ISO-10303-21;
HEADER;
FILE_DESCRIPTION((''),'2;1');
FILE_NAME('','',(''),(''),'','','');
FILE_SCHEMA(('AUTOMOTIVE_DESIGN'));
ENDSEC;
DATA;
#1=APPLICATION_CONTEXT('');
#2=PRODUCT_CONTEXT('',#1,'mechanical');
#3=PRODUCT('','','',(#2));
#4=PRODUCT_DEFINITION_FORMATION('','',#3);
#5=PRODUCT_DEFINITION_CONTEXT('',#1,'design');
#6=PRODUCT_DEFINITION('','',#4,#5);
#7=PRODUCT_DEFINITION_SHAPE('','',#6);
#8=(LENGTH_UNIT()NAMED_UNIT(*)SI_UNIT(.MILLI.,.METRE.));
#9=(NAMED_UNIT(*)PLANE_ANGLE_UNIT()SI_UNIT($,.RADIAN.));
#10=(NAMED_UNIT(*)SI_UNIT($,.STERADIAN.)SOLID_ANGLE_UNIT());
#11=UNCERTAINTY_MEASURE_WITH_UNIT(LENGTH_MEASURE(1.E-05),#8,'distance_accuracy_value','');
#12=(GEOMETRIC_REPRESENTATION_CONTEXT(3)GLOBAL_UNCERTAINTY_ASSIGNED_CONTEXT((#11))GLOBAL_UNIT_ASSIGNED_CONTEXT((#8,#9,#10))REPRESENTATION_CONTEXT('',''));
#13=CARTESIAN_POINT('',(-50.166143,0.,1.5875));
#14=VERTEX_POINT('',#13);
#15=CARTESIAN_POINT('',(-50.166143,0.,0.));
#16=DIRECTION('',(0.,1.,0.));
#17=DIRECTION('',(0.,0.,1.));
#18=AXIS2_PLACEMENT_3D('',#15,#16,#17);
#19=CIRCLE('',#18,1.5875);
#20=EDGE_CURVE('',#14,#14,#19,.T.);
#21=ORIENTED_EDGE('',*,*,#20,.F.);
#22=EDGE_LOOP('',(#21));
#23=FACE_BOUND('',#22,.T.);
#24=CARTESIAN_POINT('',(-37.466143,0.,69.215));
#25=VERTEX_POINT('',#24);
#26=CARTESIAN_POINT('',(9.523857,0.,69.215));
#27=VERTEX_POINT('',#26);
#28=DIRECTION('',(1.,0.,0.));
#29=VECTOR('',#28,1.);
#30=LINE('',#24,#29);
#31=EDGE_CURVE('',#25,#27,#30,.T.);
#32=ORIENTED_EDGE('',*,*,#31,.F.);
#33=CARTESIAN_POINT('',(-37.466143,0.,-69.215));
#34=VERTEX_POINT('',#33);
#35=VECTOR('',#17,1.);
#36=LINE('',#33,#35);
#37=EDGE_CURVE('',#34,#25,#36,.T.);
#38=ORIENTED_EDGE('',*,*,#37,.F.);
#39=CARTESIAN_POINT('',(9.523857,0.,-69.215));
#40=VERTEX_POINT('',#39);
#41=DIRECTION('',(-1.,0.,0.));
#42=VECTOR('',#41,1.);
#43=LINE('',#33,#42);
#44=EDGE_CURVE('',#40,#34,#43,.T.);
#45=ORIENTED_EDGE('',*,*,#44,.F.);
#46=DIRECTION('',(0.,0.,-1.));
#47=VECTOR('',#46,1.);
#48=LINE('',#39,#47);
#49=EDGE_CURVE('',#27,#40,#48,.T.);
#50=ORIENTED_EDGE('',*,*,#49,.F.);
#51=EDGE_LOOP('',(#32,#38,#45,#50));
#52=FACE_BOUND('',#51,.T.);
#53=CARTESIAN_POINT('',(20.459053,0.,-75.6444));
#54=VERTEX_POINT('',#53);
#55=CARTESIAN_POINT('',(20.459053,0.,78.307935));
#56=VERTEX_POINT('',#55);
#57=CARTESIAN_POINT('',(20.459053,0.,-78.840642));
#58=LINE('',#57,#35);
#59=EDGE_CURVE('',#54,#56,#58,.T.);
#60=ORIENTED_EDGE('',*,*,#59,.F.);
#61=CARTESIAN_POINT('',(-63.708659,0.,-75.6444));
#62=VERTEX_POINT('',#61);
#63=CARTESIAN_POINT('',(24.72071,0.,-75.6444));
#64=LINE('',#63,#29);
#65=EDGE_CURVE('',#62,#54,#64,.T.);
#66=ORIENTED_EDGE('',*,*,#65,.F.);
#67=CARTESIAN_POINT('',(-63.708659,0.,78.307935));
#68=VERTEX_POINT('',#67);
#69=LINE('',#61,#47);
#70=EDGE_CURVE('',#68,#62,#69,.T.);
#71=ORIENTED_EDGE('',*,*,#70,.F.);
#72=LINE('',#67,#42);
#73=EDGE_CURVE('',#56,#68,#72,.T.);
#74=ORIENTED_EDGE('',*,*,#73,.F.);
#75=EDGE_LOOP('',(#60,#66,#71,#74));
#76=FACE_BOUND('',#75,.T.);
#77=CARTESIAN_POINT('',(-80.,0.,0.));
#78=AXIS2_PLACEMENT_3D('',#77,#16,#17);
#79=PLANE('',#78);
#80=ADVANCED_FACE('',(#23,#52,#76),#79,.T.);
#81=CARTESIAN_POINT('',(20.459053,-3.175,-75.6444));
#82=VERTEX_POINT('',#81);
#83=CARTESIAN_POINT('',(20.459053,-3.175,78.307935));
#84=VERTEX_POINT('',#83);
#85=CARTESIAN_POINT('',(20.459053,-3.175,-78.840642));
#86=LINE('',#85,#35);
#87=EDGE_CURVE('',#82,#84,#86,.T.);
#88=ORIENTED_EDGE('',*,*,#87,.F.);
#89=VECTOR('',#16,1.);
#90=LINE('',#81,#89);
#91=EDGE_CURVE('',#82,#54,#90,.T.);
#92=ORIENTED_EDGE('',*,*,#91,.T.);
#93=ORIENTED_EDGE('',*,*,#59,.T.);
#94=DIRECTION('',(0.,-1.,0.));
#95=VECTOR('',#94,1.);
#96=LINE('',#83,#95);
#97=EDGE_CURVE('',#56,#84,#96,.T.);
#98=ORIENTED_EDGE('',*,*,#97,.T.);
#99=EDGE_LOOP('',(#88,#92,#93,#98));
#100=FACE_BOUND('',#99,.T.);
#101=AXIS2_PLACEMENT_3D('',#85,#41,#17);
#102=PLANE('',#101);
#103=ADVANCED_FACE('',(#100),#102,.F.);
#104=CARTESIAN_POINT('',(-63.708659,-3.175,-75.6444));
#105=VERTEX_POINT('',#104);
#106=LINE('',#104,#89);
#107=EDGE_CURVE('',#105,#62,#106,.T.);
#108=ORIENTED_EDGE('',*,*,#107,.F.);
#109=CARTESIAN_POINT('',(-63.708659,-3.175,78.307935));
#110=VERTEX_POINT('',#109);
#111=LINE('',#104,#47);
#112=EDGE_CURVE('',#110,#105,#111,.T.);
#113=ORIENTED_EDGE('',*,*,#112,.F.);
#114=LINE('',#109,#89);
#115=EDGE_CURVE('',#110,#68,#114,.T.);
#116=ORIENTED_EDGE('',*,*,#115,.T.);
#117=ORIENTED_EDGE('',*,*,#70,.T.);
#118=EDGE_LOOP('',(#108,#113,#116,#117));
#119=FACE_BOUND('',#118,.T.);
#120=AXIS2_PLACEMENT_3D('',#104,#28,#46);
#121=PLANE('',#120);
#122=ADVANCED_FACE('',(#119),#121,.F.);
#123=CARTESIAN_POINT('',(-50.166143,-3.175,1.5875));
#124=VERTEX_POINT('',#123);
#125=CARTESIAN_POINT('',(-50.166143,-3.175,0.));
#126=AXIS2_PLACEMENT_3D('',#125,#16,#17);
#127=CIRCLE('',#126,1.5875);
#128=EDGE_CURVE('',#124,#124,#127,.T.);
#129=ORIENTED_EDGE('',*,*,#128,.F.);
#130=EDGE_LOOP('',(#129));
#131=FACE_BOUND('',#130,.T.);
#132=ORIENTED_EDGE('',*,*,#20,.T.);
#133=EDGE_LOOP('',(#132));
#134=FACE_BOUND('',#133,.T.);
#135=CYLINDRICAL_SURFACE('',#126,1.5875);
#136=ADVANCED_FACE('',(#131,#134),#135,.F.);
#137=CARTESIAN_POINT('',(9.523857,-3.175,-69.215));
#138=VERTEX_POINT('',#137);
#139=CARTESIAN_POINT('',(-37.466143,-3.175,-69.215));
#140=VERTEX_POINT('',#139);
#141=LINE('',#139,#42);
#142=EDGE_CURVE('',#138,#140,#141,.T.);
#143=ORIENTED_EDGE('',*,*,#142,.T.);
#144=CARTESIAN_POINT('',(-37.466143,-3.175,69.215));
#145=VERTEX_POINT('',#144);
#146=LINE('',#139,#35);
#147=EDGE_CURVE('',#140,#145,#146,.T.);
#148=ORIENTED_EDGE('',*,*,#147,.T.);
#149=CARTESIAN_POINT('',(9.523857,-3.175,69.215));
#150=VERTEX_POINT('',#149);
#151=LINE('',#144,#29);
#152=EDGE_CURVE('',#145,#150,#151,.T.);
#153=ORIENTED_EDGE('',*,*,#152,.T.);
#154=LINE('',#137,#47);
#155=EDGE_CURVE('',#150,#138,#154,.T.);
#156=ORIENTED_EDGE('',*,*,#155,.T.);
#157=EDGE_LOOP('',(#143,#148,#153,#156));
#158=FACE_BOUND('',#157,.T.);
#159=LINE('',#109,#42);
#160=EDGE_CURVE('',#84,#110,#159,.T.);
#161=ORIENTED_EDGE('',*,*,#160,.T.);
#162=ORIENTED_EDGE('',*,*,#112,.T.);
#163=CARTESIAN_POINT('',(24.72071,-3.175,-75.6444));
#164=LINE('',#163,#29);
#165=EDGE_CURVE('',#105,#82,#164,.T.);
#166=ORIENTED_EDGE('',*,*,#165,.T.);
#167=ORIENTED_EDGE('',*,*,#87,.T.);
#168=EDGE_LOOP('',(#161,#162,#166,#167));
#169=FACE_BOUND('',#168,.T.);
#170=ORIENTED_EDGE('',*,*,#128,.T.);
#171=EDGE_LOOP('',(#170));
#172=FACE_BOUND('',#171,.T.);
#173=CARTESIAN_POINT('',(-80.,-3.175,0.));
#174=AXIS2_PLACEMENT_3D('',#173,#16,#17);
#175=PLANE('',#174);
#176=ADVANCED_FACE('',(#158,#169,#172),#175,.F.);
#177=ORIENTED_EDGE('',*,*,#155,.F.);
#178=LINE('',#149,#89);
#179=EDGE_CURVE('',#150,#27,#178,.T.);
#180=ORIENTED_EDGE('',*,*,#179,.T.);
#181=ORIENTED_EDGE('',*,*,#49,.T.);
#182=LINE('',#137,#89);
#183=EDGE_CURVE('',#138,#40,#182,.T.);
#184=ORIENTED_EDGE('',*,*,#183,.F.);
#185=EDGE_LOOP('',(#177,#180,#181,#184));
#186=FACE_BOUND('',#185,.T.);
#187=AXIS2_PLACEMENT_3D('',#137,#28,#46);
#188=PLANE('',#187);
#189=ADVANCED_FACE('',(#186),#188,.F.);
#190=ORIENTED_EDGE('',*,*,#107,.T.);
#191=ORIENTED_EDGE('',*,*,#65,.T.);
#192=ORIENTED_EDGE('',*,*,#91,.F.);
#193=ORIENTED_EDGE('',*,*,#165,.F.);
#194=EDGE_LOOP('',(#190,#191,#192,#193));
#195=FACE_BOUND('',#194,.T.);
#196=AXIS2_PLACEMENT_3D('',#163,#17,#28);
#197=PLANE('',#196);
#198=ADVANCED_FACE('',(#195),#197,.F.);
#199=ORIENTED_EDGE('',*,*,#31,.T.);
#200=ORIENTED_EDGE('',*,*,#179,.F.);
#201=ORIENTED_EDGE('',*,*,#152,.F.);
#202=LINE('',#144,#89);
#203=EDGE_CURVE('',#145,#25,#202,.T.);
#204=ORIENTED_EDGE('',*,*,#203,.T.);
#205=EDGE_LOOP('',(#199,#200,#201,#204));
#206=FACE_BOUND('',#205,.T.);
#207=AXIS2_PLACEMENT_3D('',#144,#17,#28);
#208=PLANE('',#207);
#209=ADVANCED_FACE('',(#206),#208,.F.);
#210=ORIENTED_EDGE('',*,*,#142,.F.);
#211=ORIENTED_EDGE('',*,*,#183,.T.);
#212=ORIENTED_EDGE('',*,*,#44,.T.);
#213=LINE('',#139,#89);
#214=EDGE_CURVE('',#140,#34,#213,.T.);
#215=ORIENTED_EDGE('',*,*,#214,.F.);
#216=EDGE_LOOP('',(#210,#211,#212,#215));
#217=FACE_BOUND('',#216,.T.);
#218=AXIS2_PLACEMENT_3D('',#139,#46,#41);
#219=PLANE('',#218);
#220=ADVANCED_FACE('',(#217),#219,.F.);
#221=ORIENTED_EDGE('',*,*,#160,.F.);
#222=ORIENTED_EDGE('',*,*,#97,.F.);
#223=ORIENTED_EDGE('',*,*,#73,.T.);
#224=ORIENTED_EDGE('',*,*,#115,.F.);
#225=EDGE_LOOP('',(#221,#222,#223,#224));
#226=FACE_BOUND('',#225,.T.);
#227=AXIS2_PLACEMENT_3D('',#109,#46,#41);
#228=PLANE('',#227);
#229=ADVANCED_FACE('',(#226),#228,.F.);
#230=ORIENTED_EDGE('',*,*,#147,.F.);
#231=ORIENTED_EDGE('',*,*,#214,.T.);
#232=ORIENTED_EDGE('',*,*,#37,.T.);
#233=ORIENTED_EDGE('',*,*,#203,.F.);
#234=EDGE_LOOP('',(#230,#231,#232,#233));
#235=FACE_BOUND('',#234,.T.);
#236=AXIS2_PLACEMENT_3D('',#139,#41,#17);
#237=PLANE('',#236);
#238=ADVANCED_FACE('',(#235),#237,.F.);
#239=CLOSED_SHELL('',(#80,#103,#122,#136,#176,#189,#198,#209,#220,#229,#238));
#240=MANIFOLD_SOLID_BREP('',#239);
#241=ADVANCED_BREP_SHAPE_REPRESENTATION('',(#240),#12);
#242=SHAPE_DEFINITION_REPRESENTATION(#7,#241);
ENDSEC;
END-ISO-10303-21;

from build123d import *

# Parameters (mm, degrees)
BOSS_EXTRUDE1_DEPTH = 3.175
SKETCH2_R           = 1.5875
SKETCH2_W           = 80.264
SKETCH2_H           = 12.954
CUT_EXTRUDE1_DEPTH  = 223.985606318
SKETCH7_R           = 1.5875
SKETCH7_W           = 46.99
SKETCH7_H           = 138.43
CUT_EXTRUDE4_DEPTH  = 223.985606318
CUT_EXTRUDE5_DEPTH  = 223.985606318
CUT_EXTRUDE6_DEPTH  = 221.482742149
CUT_EXTRUDE7_DEPTH  = 221.482742149


with BuildPart() as part:
    # Sketch1 → Boss-Extrude1 (new body)
    with BuildSketch(Plane(origin=(0, 0, 0), x_dir=(1, 0, 0), z_dir=(0, 1, 0))):
        with BuildLine():
            Line((-80, 112.5), (100, 112.5))
            Line((100, 112.5), (100, -112.5))
            Line((100, -112.5), (-80, -112.5))
            ThreePointArc((-80, -112.5), (-192.5, 0), (-80, 112.5))
        make_face()
    extrude(amount=-BOSS_EXTRUDE1_DEPTH)

    # Sketch2 → Cut-Extrude1 (cut, through all)
    with BuildSketch(Plane(origin=(0, 0, 0), x_dir=(1, 0, 0), z_dir=(0, 1, 0))):
        with Locations(Location((36.144045702, -74.2188, 0), (0, 0, 270))):
            Circle(SKETCH2_R)
        with Locations(Location((36.144045702, -67.8688, 0), (0, 0, 270))):
            Circle(SKETCH2_R)
        with Locations(Location((36.144045702, -61.5188, 0), (0, 0, 270))):
            Circle(SKETCH2_R)
        with Locations(Location((36.144045702, -55.1688, 0), (0, 0, 270))):
            Circle(SKETCH2_R)
        with Locations(Location((36.144045702, -48.8188, 0), (0, 0, 270))):
            Circle(SKETCH2_R)
        with Locations(Location((36.144045702, -42.4688, 0), (0, 0, 270))):
            Circle(SKETCH2_R)
        with Locations(Location((36.144045702, -36.1188, 0), (0, 0, 270))):
            Circle(SKETCH2_R)
        with Locations(Location((67.894045702, -74.2188, 0), (0, 0, 270))):
            Circle(SKETCH2_R)
        with Locations(Location((67.894045702, -67.8688, 0), (0, 0, 270))):
            Circle(SKETCH2_R)
        with Locations(Location((67.894045702, -61.5188, 0), (0, 0, 270))):
            Circle(SKETCH2_R)
        with Locations(Location((67.894045702, -55.1688, 0), (0, 0, 270))):
            Circle(SKETCH2_R)
        with Locations(Location((67.894045702, -48.8188, 0), (0, 0, 270))):
            Circle(SKETCH2_R)
        with Locations(Location((67.894045702, -42.4688, 0), (0, 0, 270))):
            Circle(SKETCH2_R)
        with Locations(Location((67.894045702, -36.1188, 0), (0, 0, 270))):
            Circle(SKETCH2_R)
        with Locations(Location((36.144045702, 74.2188, 0), (0, 0, 270))):
            Circle(SKETCH2_R)
        with Locations(Location((36.144045702, 67.8688, 0), (0, 0, 270))):
            Circle(SKETCH2_R)
        with Locations(Location((36.144045702, 61.5188, 0), (0, 0, 270))):
            Circle(SKETCH2_R)
        with Locations(Location((36.144045702, 55.1688, 0), (0, 0, 270))):
            Circle(SKETCH2_R)
        with Locations(Location((36.144045702, 48.8188, 0), (0, 0, 270))):
            Circle(SKETCH2_R)
        with Locations(Location((36.144045702, 42.4688, 0), (0, 0, 270))):
            Circle(SKETCH2_R)
        with Locations(Location((36.144045702, 36.1188, 0), (0, 0, 270))):
            Circle(SKETCH2_R)
        with Locations(Location((67.894045702, 74.2188, 0), (0, 0, 270))):
            Circle(SKETCH2_R)
        with Locations(Location((67.894045702, 67.8688, 0), (0, 0, 270))):
            Circle(SKETCH2_R)
        with Locations(Location((67.894045702, 61.5188, 0), (0, 0, 270))):
            Circle(SKETCH2_R)
        with Locations(Location((67.894045702, 55.1688, 0), (0, 0, 270))):
            Circle(SKETCH2_R)
        with Locations(Location((67.894045702, 48.8188, 0), (0, 0, 270))):
            Circle(SKETCH2_R)
        with Locations(Location((67.894045702, 42.4688, 0), (0, 0, 270))):
            Circle(SKETCH2_R)
        with Locations(Location((67.894045702, 36.1188, 0), (0, 0, 270))):
            Circle(SKETCH2_R)
        with Locations((52.019045702, -96.4438)):
            Rectangle(SKETCH2_W, SKETCH2_H)
        with Locations((52.019045702, 96.4438)):
            Rectangle(SKETCH2_W, SKETCH2_H)
    extrude(amount=-CUT_EXTRUDE1_DEPTH, mode=Mode.SUBTRACT)

    # Sketch7 → Cut-Extrude4 (cut, through all)
    with BuildSketch(Plane(origin=(0, 0, 0), x_dir=(1, 0, 0), z_dir=(0, 1, 0))):
        with Locations(Location((-50.166143469, 0, 0), (0, 0, 270))):
            Circle(SKETCH7_R)
        with Locations(Location((25.582761582, 0, 0), (0, 0, 270))):
            Circle(SKETCH7_R)
        with Locations(Location((87.462148806, 0, 0), (0, 0, 270))):
            Circle(SKETCH7_R)
        with Locations((-13.971143469, 0)):
            Rectangle(SKETCH7_W, SKETCH7_H)
    extrude(amount=-CUT_EXTRUDE4_DEPTH, mode=Mode.SUBTRACT)

    # Sketch8 → Cut-Extrude5 (cut, through all)
    with BuildSketch(Plane(origin=(0, 0, 0), x_dir=(1, 0, 0), z_dir=(0, 1, 0))):
        with BuildLine():
            Line((-167.0966, 25.4), (-229.776686608, 25.4))
            Line((-229.776686608, 25.4), (-229.776686608, -25.4))
            Line((-229.776686608, -25.4), (-167.0966, -25.4))
            ThreePointArc((-167.0966, -25.4), (-141.6966, 0), (-167.0966, 25.4))
        make_face()
    extrude(amount=-CUT_EXTRUDE5_DEPTH, mode=Mode.SUBTRACT)

    # Sketch9 → Cut-Extrude6 (cut, through all)
    with BuildSketch(Plane(origin=(0, 0, 0), x_dir=(1, 0, 0), z_dir=(0, 1, 0))):
        Polygon((0, 120.924498436), (0, 78.840642152), (20.45905334, 78.840642152), (20.45905334, -78.840642152), (0, -78.840642152), (0, -122.522619561), (114.748199697, -122.522619561), (114.748199697, 120.924498436), align=None)
    extrude(amount=-CUT_EXTRUDE6_DEPTH, mode=Mode.SUBTRACT)

    # Sketch10 → Cut-Extrude7 (cut, through all)
    with BuildSketch(Plane(origin=(0, 0, 0), x_dir=(1, 0, 0), z_dir=(0, 1, 0))):
        Polygon((24.720709672, 75.644399903), (-63.708659228, 75.644399903), (-63.708659228, -78.30793511), (24.720709672, -78.30793511), (24.720709672, -86.831247776), (24.720709672, -123.055326602), (-234.174912529, -128.382397018), (-239.283531036, 119.896462399), (24.720709672, 119.896462399), align=None)
    extrude(amount=-CUT_EXTRUDE7_DEPTH, mode=Mode.SUBTRACT)


solid = part.part
